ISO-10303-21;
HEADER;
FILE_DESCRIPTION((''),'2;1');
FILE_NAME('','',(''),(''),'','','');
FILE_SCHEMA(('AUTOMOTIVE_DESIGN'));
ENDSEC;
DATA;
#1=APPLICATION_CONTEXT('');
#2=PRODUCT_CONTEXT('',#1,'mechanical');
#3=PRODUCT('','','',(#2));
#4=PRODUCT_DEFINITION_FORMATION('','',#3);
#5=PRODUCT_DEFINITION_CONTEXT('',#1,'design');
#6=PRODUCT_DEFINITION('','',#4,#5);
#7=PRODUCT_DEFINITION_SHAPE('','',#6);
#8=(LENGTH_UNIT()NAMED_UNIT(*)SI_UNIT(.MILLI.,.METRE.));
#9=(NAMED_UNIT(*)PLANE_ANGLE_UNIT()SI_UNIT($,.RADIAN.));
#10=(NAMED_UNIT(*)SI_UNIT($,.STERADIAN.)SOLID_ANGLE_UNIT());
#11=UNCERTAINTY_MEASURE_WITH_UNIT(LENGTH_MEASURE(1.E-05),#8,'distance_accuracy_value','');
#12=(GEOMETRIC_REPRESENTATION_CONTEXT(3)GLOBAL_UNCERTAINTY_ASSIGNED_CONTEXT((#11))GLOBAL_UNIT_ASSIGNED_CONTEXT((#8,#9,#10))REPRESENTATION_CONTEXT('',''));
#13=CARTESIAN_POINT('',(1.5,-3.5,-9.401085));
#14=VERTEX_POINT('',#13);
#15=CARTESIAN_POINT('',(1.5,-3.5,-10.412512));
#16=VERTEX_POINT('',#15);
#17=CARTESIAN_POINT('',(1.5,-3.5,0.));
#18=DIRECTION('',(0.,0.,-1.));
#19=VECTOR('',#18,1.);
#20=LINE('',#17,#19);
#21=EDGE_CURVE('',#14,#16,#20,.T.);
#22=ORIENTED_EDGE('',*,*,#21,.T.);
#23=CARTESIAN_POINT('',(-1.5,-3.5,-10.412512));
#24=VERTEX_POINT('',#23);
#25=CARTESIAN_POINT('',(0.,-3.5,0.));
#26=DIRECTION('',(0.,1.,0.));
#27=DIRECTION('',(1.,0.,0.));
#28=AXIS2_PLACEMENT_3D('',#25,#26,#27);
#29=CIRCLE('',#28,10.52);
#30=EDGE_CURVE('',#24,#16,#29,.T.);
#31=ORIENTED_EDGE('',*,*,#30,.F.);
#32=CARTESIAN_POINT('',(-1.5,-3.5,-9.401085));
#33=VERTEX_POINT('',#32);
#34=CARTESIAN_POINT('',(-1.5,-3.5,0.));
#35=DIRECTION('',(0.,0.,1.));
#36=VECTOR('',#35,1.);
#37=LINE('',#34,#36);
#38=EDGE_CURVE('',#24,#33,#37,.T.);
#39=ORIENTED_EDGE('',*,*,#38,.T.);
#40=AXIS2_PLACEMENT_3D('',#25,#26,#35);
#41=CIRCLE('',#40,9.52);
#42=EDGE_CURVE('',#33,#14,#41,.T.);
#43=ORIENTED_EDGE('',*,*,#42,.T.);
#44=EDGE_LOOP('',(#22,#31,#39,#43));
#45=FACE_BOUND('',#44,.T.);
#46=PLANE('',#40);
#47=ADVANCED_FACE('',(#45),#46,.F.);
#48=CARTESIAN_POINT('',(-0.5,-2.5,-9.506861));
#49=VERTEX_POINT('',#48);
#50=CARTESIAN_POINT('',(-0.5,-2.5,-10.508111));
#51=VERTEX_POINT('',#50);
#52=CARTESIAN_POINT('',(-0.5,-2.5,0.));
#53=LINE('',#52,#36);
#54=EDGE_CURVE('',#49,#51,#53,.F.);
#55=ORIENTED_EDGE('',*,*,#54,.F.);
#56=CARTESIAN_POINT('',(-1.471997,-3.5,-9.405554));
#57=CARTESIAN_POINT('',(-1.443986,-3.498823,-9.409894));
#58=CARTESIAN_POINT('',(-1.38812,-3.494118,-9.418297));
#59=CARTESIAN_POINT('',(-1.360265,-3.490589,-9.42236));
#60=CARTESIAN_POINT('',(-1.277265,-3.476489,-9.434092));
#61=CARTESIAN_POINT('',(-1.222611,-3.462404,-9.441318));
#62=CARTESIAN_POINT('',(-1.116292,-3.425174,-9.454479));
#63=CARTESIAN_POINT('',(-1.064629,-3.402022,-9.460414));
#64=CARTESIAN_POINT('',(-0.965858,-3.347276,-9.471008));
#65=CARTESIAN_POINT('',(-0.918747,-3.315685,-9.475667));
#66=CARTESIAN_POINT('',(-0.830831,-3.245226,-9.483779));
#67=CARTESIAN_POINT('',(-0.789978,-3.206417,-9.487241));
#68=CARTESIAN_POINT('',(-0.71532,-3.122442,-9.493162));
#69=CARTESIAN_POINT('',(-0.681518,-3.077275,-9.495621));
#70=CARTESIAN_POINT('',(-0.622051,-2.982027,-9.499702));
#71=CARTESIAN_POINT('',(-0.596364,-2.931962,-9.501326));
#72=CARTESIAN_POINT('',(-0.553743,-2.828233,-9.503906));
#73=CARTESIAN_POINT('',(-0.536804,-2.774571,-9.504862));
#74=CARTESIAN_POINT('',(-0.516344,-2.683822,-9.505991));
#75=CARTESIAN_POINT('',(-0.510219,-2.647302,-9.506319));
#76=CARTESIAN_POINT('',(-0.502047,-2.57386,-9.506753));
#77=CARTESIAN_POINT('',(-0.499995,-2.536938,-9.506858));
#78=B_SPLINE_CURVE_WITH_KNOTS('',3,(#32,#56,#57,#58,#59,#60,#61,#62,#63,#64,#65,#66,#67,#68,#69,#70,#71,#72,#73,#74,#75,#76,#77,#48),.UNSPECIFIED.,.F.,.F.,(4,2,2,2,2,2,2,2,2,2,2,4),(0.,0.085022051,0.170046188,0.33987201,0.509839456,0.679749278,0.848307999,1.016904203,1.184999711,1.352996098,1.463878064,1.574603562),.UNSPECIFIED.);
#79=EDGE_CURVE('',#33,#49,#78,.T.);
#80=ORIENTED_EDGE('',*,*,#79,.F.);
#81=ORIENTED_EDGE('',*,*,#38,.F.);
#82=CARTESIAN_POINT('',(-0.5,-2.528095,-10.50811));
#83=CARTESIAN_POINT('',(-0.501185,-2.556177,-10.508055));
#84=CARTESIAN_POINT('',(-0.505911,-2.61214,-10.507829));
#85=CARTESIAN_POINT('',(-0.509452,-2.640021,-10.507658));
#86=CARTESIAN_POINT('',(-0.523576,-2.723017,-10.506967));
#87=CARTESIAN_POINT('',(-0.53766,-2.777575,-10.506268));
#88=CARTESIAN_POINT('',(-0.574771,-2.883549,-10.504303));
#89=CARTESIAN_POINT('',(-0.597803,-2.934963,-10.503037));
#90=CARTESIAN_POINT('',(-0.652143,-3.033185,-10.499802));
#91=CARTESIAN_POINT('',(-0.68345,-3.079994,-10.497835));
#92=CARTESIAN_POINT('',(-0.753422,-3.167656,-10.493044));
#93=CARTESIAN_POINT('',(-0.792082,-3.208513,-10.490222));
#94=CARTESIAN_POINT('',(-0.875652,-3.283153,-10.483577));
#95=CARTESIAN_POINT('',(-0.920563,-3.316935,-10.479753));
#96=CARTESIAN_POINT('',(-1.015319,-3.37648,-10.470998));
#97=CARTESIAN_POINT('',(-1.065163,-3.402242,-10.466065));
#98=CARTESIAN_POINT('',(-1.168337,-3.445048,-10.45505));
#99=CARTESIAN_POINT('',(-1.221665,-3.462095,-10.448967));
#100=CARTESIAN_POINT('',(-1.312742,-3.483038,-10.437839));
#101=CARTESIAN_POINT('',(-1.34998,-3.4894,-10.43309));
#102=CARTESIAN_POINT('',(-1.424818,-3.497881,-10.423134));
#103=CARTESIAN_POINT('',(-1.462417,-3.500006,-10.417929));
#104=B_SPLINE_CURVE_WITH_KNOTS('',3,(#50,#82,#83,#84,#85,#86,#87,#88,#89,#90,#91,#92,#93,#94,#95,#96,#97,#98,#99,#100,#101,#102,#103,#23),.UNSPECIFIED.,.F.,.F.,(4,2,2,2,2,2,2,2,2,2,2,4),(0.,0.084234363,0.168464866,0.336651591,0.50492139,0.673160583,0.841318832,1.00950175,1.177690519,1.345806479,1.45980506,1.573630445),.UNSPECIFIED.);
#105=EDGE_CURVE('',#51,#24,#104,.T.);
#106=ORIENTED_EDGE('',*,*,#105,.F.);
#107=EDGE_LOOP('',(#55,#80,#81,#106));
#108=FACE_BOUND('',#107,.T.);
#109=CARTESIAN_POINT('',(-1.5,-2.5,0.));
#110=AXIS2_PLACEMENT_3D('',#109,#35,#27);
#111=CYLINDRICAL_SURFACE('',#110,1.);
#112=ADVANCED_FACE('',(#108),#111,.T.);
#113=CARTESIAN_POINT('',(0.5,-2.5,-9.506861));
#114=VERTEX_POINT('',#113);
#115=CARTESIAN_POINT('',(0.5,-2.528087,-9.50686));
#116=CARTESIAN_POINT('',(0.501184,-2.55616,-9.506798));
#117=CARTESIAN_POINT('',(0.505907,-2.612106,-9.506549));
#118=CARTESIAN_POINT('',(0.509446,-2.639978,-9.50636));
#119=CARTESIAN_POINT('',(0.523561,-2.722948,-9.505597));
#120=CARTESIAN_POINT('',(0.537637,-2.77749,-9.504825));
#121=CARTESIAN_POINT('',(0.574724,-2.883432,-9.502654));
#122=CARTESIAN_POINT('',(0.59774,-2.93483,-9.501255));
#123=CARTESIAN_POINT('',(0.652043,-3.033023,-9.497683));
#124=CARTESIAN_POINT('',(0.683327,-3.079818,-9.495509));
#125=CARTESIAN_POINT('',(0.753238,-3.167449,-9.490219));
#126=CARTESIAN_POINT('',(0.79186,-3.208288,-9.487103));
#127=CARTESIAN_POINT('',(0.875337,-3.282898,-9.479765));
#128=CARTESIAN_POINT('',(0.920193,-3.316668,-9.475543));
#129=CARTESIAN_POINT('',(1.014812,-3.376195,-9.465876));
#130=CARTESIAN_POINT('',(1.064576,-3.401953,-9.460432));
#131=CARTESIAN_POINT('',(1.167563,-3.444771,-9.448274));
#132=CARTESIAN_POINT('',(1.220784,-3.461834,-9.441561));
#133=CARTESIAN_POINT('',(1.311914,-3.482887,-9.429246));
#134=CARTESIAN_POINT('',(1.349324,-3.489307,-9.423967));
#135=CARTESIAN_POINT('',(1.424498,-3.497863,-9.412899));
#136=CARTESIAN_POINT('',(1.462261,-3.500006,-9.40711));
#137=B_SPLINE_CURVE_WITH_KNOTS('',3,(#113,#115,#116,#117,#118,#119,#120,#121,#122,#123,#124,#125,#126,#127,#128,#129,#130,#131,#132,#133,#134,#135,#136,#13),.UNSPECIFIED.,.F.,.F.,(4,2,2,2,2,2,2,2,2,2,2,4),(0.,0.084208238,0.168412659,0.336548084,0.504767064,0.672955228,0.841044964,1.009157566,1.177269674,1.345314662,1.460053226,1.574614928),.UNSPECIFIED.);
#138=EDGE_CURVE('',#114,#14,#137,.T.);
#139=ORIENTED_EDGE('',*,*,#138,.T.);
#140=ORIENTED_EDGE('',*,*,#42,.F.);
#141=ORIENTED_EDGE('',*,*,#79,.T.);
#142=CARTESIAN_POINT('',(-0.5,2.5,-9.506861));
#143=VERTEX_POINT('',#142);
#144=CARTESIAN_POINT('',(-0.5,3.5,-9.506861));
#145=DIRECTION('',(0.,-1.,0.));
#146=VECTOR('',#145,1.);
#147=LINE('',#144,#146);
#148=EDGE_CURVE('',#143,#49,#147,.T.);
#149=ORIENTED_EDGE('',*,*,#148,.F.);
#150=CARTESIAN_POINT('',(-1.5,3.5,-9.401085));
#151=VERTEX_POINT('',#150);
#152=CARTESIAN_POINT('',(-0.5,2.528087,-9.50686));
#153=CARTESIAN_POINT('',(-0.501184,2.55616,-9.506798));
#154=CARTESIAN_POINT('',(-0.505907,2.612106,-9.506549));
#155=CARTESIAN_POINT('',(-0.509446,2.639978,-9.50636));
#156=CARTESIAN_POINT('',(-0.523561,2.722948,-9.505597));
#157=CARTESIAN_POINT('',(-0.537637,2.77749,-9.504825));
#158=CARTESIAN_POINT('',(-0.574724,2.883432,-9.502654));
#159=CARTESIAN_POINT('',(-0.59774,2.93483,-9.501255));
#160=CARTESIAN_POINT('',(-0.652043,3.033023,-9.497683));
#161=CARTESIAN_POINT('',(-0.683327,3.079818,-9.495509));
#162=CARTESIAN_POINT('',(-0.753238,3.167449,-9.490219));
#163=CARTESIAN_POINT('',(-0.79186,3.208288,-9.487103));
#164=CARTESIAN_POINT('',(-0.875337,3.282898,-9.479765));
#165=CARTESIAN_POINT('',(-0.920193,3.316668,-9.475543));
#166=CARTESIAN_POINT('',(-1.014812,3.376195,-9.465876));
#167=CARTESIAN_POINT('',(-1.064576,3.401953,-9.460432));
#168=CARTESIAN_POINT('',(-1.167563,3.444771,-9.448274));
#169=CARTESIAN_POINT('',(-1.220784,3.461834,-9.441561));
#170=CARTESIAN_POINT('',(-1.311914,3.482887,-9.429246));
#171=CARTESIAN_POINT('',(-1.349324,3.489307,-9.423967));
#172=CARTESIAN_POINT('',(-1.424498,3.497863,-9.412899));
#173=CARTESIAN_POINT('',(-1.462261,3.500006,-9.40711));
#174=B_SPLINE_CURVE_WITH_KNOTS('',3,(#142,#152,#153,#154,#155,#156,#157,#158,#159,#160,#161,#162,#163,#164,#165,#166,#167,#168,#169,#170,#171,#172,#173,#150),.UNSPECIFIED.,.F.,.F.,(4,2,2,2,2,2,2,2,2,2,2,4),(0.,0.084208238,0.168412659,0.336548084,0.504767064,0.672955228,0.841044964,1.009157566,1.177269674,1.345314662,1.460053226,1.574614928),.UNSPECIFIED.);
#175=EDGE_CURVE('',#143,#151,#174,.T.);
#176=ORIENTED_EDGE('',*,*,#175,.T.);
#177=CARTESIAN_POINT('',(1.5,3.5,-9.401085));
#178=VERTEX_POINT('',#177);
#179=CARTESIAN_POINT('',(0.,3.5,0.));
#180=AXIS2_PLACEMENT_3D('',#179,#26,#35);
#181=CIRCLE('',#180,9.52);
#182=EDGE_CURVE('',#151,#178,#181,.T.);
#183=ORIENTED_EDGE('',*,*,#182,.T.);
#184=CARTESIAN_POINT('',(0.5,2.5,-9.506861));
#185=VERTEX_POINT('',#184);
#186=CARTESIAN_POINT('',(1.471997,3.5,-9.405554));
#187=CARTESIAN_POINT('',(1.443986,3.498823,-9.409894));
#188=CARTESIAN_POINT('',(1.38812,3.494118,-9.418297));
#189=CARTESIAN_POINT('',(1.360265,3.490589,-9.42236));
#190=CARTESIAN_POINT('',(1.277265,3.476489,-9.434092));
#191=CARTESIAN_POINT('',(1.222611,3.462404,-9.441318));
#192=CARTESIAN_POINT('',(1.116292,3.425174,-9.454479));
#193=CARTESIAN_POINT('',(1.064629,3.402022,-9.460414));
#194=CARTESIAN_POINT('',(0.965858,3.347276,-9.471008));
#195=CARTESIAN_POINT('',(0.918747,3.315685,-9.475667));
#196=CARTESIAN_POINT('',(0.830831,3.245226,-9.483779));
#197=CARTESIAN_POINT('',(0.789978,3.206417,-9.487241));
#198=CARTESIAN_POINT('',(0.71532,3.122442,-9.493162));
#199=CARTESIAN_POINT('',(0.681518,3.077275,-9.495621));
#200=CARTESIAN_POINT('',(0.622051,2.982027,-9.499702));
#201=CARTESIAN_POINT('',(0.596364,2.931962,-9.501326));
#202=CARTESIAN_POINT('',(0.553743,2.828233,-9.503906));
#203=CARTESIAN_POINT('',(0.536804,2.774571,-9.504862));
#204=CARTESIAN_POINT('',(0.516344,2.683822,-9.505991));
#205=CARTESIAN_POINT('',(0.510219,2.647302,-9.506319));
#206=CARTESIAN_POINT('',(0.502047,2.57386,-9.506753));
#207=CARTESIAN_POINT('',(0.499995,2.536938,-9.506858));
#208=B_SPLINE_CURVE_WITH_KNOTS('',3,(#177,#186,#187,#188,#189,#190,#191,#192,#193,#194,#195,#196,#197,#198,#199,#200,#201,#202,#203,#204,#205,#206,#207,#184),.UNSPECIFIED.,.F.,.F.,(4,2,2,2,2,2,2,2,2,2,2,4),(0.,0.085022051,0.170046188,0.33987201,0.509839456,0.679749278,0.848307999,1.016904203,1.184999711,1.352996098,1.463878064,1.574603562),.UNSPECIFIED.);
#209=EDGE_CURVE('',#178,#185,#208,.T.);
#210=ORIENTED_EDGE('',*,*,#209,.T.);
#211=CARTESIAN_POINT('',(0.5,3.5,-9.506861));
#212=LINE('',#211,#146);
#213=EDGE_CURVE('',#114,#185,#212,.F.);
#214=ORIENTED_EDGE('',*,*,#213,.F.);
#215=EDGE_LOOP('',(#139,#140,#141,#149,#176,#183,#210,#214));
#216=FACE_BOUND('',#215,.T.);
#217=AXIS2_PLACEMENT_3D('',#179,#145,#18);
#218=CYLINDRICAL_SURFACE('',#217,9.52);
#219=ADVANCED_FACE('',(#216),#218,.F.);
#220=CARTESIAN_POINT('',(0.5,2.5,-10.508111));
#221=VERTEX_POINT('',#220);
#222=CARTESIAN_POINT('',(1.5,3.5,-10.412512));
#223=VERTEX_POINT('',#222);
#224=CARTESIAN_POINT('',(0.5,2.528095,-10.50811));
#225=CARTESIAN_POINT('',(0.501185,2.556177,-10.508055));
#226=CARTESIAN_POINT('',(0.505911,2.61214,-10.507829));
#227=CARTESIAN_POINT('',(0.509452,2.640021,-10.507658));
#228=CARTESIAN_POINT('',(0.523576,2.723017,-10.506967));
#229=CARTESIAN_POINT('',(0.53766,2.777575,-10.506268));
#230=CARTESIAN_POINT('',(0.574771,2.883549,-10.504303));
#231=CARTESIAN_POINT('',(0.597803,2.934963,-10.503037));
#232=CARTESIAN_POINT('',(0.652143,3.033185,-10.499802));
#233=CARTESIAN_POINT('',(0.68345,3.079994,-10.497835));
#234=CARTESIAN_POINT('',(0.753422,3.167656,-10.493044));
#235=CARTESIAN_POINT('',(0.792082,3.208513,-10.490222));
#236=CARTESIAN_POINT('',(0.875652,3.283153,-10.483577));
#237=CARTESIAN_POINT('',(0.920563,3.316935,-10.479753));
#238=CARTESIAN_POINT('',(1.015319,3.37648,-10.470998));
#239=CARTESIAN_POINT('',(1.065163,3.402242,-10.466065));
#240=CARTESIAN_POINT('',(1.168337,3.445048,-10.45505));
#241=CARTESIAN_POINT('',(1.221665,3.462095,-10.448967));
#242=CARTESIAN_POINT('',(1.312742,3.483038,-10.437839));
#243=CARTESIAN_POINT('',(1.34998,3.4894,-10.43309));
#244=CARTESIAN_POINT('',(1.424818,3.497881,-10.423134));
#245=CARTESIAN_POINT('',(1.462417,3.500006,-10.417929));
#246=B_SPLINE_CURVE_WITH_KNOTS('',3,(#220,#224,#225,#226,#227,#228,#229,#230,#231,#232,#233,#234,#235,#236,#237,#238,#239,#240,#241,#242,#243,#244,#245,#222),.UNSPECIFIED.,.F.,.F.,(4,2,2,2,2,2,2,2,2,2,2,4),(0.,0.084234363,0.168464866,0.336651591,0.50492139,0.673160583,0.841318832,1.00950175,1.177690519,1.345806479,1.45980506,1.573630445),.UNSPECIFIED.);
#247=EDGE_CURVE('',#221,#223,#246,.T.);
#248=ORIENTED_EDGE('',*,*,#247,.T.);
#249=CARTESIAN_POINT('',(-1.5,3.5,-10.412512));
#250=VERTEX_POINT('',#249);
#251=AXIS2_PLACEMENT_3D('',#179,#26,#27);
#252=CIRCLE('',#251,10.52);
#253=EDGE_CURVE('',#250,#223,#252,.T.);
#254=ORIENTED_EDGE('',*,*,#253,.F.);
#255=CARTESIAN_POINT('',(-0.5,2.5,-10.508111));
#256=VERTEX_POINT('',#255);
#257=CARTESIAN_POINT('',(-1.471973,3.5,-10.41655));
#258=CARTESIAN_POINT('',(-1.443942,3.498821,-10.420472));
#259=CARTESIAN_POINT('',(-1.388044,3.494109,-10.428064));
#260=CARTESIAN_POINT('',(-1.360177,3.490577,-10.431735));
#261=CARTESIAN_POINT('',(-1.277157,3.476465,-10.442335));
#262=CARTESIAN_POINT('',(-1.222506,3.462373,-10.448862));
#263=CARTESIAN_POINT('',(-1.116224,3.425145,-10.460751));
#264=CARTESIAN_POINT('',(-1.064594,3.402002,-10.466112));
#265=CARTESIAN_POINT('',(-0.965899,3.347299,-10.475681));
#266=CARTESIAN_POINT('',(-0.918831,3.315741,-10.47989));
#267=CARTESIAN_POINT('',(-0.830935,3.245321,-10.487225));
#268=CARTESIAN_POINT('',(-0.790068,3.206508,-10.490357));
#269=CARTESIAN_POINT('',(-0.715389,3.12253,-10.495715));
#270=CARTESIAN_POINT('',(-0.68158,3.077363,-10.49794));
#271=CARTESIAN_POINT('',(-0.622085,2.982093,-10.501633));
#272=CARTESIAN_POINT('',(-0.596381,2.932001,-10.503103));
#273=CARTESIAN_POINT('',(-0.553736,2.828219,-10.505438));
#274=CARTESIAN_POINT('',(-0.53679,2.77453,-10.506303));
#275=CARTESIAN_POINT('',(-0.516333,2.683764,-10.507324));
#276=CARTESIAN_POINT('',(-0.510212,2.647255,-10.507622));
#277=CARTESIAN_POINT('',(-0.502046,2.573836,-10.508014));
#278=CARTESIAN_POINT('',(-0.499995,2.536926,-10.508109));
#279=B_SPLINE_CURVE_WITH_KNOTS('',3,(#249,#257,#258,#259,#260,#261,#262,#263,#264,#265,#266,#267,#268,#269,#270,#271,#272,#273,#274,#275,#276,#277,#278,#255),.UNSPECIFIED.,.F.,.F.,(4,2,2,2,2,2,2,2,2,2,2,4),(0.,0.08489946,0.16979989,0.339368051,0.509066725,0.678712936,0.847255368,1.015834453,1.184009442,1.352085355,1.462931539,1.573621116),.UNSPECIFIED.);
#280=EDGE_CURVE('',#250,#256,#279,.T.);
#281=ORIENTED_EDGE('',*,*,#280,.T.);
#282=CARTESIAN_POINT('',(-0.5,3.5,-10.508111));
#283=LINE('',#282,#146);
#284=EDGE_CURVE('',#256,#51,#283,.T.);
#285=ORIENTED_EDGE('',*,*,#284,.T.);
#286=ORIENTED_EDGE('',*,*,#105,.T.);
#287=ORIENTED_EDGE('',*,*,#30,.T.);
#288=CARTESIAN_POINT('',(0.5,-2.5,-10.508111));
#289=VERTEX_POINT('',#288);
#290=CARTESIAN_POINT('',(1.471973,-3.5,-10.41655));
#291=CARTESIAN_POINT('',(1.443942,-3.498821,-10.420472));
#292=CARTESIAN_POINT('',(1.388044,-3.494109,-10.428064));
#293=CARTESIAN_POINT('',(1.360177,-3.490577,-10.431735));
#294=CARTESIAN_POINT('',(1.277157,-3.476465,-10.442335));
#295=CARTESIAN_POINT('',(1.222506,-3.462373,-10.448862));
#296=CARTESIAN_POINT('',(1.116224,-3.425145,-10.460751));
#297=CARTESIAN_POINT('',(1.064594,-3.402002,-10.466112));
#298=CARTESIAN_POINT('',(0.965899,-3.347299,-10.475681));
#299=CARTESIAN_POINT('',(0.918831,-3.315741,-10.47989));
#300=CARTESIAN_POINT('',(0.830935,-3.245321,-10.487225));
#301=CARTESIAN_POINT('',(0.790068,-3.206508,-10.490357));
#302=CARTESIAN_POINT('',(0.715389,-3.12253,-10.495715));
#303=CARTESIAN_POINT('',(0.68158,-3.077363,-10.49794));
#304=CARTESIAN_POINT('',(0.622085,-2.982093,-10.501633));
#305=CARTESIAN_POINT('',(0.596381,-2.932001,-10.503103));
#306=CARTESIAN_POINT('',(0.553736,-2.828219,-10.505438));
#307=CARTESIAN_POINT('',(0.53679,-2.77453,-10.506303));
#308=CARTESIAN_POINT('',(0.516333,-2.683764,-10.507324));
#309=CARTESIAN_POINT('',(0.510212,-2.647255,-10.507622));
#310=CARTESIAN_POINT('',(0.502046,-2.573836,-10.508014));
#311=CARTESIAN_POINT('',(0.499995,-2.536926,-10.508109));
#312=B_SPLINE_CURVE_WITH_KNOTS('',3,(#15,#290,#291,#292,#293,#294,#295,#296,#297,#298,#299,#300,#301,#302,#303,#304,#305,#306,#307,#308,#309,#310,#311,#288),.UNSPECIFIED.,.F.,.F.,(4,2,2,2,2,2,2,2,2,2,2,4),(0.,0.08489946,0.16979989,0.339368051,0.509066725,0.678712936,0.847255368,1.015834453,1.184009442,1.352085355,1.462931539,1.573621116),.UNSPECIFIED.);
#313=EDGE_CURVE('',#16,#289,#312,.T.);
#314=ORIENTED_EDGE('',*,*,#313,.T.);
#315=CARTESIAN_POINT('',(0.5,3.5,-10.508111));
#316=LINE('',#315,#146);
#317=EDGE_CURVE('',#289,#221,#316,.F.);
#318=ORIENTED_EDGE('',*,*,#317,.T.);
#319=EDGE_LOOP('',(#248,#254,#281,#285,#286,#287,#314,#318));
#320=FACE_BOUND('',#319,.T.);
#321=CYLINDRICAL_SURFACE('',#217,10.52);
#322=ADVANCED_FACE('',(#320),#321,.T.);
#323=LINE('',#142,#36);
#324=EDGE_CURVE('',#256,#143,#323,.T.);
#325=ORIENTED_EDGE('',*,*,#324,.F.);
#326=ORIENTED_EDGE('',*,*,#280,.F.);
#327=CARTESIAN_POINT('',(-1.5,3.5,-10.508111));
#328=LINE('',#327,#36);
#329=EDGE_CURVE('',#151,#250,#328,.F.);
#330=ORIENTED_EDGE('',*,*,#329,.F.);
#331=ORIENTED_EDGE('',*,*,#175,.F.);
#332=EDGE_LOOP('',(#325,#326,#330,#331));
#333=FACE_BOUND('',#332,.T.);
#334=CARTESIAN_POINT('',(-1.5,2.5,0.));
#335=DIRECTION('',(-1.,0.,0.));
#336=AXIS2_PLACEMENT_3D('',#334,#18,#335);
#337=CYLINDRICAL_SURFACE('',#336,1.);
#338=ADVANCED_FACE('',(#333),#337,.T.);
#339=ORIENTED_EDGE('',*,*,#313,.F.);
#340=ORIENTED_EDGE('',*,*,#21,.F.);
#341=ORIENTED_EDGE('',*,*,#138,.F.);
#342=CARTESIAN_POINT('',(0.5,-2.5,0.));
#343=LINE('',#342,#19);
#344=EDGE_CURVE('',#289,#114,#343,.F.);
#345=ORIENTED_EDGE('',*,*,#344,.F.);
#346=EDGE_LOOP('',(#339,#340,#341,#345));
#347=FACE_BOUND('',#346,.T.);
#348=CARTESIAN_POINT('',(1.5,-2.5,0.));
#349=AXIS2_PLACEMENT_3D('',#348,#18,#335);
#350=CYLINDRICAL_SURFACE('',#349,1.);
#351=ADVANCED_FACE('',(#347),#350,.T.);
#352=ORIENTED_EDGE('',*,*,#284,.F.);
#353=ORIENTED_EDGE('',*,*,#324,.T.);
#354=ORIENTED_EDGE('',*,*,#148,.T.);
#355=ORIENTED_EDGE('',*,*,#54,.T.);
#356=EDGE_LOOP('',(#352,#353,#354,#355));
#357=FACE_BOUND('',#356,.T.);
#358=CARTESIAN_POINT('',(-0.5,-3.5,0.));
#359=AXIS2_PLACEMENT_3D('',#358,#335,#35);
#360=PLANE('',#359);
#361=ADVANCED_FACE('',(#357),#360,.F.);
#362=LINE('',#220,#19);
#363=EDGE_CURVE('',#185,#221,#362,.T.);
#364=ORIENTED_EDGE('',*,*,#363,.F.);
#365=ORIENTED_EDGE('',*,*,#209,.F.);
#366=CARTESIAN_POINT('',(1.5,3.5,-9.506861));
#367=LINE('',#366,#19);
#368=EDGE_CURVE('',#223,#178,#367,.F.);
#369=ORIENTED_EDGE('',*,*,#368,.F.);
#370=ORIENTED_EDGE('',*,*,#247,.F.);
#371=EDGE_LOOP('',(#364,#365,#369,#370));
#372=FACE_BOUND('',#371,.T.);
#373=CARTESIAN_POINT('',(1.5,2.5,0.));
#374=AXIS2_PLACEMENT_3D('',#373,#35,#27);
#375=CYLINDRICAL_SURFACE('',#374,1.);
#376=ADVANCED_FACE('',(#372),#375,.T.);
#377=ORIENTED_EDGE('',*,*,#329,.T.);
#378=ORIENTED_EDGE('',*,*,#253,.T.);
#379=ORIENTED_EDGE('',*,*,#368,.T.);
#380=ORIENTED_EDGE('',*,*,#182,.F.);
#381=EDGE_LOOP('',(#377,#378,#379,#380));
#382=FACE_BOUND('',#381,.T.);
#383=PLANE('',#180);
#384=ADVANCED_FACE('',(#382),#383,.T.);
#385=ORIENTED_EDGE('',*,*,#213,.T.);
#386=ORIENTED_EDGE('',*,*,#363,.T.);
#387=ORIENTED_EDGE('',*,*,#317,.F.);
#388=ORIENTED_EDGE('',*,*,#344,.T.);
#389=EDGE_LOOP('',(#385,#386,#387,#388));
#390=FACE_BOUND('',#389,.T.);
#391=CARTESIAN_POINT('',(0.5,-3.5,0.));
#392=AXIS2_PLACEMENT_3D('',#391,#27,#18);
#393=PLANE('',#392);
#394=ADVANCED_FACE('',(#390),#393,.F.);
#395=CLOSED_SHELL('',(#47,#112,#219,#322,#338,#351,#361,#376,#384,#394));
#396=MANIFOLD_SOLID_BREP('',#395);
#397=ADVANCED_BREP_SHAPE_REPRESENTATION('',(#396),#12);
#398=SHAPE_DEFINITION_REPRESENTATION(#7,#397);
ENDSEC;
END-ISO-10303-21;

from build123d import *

# Parameters (mm, degrees)
SKETCH3_R               = 10.52
SKETCH3_R_2             = 9.52
EXTRUDE_THIN1_DEPTH     = 3.5
SKETCH4_W               = 1
SKETCH4_H               = 1000
CUT_EXTRUDE1_DEPTH      = 4.5
CUT_EXTRUDE1_DEPTH_BACK = 4.5
FILLET1_R               = 1


with BuildPart() as part:
    # Sketch3 → Extrude-Thin1 (new body, symmetric)
    with BuildSketch(Plane(origin=(0, 0, 0), x_dir=(1, 0, 0), z_dir=(0, 1, 0))):
        Circle(SKETCH3_R)
        Circle(SKETCH3_R_2, mode=Mode.SUBTRACT)
    extrude(amount=EXTRUDE_THIN1_DEPTH, both=True)

    # Sketch4 → Cut-Extrude1 (cut, two sides)
    with BuildSketch(Plane(origin=(0, 0, 0), x_dir=(1, 0, 0), z_dir=(0, 1, 0))) as cut_extrude1_sk:
        with Locations((0, 500)):
            Rectangle(SKETCH4_W, SKETCH4_H)
    extrude(amount=CUT_EXTRUDE1_DEPTH, mode=Mode.SUBTRACT)
    extrude(cut_extrude1_sk.sketch, amount=-CUT_EXTRUDE1_DEPTH_BACK, mode=Mode.SUBTRACT)

    # Fillet1
    fillet1_edges = [part.edges().sort_by_distance(p)[0] for p in [
        (0.5, -3.5, -10.007485917),
        (-0.5, -3.5, -10.007485917),
        (0.5, 3.5, -10.007485917),
        (-0.5, 3.5, -10.007485917),
    ]]
    fillet(fillet1_edges, radius=FILLET1_R)


solid = part.part
